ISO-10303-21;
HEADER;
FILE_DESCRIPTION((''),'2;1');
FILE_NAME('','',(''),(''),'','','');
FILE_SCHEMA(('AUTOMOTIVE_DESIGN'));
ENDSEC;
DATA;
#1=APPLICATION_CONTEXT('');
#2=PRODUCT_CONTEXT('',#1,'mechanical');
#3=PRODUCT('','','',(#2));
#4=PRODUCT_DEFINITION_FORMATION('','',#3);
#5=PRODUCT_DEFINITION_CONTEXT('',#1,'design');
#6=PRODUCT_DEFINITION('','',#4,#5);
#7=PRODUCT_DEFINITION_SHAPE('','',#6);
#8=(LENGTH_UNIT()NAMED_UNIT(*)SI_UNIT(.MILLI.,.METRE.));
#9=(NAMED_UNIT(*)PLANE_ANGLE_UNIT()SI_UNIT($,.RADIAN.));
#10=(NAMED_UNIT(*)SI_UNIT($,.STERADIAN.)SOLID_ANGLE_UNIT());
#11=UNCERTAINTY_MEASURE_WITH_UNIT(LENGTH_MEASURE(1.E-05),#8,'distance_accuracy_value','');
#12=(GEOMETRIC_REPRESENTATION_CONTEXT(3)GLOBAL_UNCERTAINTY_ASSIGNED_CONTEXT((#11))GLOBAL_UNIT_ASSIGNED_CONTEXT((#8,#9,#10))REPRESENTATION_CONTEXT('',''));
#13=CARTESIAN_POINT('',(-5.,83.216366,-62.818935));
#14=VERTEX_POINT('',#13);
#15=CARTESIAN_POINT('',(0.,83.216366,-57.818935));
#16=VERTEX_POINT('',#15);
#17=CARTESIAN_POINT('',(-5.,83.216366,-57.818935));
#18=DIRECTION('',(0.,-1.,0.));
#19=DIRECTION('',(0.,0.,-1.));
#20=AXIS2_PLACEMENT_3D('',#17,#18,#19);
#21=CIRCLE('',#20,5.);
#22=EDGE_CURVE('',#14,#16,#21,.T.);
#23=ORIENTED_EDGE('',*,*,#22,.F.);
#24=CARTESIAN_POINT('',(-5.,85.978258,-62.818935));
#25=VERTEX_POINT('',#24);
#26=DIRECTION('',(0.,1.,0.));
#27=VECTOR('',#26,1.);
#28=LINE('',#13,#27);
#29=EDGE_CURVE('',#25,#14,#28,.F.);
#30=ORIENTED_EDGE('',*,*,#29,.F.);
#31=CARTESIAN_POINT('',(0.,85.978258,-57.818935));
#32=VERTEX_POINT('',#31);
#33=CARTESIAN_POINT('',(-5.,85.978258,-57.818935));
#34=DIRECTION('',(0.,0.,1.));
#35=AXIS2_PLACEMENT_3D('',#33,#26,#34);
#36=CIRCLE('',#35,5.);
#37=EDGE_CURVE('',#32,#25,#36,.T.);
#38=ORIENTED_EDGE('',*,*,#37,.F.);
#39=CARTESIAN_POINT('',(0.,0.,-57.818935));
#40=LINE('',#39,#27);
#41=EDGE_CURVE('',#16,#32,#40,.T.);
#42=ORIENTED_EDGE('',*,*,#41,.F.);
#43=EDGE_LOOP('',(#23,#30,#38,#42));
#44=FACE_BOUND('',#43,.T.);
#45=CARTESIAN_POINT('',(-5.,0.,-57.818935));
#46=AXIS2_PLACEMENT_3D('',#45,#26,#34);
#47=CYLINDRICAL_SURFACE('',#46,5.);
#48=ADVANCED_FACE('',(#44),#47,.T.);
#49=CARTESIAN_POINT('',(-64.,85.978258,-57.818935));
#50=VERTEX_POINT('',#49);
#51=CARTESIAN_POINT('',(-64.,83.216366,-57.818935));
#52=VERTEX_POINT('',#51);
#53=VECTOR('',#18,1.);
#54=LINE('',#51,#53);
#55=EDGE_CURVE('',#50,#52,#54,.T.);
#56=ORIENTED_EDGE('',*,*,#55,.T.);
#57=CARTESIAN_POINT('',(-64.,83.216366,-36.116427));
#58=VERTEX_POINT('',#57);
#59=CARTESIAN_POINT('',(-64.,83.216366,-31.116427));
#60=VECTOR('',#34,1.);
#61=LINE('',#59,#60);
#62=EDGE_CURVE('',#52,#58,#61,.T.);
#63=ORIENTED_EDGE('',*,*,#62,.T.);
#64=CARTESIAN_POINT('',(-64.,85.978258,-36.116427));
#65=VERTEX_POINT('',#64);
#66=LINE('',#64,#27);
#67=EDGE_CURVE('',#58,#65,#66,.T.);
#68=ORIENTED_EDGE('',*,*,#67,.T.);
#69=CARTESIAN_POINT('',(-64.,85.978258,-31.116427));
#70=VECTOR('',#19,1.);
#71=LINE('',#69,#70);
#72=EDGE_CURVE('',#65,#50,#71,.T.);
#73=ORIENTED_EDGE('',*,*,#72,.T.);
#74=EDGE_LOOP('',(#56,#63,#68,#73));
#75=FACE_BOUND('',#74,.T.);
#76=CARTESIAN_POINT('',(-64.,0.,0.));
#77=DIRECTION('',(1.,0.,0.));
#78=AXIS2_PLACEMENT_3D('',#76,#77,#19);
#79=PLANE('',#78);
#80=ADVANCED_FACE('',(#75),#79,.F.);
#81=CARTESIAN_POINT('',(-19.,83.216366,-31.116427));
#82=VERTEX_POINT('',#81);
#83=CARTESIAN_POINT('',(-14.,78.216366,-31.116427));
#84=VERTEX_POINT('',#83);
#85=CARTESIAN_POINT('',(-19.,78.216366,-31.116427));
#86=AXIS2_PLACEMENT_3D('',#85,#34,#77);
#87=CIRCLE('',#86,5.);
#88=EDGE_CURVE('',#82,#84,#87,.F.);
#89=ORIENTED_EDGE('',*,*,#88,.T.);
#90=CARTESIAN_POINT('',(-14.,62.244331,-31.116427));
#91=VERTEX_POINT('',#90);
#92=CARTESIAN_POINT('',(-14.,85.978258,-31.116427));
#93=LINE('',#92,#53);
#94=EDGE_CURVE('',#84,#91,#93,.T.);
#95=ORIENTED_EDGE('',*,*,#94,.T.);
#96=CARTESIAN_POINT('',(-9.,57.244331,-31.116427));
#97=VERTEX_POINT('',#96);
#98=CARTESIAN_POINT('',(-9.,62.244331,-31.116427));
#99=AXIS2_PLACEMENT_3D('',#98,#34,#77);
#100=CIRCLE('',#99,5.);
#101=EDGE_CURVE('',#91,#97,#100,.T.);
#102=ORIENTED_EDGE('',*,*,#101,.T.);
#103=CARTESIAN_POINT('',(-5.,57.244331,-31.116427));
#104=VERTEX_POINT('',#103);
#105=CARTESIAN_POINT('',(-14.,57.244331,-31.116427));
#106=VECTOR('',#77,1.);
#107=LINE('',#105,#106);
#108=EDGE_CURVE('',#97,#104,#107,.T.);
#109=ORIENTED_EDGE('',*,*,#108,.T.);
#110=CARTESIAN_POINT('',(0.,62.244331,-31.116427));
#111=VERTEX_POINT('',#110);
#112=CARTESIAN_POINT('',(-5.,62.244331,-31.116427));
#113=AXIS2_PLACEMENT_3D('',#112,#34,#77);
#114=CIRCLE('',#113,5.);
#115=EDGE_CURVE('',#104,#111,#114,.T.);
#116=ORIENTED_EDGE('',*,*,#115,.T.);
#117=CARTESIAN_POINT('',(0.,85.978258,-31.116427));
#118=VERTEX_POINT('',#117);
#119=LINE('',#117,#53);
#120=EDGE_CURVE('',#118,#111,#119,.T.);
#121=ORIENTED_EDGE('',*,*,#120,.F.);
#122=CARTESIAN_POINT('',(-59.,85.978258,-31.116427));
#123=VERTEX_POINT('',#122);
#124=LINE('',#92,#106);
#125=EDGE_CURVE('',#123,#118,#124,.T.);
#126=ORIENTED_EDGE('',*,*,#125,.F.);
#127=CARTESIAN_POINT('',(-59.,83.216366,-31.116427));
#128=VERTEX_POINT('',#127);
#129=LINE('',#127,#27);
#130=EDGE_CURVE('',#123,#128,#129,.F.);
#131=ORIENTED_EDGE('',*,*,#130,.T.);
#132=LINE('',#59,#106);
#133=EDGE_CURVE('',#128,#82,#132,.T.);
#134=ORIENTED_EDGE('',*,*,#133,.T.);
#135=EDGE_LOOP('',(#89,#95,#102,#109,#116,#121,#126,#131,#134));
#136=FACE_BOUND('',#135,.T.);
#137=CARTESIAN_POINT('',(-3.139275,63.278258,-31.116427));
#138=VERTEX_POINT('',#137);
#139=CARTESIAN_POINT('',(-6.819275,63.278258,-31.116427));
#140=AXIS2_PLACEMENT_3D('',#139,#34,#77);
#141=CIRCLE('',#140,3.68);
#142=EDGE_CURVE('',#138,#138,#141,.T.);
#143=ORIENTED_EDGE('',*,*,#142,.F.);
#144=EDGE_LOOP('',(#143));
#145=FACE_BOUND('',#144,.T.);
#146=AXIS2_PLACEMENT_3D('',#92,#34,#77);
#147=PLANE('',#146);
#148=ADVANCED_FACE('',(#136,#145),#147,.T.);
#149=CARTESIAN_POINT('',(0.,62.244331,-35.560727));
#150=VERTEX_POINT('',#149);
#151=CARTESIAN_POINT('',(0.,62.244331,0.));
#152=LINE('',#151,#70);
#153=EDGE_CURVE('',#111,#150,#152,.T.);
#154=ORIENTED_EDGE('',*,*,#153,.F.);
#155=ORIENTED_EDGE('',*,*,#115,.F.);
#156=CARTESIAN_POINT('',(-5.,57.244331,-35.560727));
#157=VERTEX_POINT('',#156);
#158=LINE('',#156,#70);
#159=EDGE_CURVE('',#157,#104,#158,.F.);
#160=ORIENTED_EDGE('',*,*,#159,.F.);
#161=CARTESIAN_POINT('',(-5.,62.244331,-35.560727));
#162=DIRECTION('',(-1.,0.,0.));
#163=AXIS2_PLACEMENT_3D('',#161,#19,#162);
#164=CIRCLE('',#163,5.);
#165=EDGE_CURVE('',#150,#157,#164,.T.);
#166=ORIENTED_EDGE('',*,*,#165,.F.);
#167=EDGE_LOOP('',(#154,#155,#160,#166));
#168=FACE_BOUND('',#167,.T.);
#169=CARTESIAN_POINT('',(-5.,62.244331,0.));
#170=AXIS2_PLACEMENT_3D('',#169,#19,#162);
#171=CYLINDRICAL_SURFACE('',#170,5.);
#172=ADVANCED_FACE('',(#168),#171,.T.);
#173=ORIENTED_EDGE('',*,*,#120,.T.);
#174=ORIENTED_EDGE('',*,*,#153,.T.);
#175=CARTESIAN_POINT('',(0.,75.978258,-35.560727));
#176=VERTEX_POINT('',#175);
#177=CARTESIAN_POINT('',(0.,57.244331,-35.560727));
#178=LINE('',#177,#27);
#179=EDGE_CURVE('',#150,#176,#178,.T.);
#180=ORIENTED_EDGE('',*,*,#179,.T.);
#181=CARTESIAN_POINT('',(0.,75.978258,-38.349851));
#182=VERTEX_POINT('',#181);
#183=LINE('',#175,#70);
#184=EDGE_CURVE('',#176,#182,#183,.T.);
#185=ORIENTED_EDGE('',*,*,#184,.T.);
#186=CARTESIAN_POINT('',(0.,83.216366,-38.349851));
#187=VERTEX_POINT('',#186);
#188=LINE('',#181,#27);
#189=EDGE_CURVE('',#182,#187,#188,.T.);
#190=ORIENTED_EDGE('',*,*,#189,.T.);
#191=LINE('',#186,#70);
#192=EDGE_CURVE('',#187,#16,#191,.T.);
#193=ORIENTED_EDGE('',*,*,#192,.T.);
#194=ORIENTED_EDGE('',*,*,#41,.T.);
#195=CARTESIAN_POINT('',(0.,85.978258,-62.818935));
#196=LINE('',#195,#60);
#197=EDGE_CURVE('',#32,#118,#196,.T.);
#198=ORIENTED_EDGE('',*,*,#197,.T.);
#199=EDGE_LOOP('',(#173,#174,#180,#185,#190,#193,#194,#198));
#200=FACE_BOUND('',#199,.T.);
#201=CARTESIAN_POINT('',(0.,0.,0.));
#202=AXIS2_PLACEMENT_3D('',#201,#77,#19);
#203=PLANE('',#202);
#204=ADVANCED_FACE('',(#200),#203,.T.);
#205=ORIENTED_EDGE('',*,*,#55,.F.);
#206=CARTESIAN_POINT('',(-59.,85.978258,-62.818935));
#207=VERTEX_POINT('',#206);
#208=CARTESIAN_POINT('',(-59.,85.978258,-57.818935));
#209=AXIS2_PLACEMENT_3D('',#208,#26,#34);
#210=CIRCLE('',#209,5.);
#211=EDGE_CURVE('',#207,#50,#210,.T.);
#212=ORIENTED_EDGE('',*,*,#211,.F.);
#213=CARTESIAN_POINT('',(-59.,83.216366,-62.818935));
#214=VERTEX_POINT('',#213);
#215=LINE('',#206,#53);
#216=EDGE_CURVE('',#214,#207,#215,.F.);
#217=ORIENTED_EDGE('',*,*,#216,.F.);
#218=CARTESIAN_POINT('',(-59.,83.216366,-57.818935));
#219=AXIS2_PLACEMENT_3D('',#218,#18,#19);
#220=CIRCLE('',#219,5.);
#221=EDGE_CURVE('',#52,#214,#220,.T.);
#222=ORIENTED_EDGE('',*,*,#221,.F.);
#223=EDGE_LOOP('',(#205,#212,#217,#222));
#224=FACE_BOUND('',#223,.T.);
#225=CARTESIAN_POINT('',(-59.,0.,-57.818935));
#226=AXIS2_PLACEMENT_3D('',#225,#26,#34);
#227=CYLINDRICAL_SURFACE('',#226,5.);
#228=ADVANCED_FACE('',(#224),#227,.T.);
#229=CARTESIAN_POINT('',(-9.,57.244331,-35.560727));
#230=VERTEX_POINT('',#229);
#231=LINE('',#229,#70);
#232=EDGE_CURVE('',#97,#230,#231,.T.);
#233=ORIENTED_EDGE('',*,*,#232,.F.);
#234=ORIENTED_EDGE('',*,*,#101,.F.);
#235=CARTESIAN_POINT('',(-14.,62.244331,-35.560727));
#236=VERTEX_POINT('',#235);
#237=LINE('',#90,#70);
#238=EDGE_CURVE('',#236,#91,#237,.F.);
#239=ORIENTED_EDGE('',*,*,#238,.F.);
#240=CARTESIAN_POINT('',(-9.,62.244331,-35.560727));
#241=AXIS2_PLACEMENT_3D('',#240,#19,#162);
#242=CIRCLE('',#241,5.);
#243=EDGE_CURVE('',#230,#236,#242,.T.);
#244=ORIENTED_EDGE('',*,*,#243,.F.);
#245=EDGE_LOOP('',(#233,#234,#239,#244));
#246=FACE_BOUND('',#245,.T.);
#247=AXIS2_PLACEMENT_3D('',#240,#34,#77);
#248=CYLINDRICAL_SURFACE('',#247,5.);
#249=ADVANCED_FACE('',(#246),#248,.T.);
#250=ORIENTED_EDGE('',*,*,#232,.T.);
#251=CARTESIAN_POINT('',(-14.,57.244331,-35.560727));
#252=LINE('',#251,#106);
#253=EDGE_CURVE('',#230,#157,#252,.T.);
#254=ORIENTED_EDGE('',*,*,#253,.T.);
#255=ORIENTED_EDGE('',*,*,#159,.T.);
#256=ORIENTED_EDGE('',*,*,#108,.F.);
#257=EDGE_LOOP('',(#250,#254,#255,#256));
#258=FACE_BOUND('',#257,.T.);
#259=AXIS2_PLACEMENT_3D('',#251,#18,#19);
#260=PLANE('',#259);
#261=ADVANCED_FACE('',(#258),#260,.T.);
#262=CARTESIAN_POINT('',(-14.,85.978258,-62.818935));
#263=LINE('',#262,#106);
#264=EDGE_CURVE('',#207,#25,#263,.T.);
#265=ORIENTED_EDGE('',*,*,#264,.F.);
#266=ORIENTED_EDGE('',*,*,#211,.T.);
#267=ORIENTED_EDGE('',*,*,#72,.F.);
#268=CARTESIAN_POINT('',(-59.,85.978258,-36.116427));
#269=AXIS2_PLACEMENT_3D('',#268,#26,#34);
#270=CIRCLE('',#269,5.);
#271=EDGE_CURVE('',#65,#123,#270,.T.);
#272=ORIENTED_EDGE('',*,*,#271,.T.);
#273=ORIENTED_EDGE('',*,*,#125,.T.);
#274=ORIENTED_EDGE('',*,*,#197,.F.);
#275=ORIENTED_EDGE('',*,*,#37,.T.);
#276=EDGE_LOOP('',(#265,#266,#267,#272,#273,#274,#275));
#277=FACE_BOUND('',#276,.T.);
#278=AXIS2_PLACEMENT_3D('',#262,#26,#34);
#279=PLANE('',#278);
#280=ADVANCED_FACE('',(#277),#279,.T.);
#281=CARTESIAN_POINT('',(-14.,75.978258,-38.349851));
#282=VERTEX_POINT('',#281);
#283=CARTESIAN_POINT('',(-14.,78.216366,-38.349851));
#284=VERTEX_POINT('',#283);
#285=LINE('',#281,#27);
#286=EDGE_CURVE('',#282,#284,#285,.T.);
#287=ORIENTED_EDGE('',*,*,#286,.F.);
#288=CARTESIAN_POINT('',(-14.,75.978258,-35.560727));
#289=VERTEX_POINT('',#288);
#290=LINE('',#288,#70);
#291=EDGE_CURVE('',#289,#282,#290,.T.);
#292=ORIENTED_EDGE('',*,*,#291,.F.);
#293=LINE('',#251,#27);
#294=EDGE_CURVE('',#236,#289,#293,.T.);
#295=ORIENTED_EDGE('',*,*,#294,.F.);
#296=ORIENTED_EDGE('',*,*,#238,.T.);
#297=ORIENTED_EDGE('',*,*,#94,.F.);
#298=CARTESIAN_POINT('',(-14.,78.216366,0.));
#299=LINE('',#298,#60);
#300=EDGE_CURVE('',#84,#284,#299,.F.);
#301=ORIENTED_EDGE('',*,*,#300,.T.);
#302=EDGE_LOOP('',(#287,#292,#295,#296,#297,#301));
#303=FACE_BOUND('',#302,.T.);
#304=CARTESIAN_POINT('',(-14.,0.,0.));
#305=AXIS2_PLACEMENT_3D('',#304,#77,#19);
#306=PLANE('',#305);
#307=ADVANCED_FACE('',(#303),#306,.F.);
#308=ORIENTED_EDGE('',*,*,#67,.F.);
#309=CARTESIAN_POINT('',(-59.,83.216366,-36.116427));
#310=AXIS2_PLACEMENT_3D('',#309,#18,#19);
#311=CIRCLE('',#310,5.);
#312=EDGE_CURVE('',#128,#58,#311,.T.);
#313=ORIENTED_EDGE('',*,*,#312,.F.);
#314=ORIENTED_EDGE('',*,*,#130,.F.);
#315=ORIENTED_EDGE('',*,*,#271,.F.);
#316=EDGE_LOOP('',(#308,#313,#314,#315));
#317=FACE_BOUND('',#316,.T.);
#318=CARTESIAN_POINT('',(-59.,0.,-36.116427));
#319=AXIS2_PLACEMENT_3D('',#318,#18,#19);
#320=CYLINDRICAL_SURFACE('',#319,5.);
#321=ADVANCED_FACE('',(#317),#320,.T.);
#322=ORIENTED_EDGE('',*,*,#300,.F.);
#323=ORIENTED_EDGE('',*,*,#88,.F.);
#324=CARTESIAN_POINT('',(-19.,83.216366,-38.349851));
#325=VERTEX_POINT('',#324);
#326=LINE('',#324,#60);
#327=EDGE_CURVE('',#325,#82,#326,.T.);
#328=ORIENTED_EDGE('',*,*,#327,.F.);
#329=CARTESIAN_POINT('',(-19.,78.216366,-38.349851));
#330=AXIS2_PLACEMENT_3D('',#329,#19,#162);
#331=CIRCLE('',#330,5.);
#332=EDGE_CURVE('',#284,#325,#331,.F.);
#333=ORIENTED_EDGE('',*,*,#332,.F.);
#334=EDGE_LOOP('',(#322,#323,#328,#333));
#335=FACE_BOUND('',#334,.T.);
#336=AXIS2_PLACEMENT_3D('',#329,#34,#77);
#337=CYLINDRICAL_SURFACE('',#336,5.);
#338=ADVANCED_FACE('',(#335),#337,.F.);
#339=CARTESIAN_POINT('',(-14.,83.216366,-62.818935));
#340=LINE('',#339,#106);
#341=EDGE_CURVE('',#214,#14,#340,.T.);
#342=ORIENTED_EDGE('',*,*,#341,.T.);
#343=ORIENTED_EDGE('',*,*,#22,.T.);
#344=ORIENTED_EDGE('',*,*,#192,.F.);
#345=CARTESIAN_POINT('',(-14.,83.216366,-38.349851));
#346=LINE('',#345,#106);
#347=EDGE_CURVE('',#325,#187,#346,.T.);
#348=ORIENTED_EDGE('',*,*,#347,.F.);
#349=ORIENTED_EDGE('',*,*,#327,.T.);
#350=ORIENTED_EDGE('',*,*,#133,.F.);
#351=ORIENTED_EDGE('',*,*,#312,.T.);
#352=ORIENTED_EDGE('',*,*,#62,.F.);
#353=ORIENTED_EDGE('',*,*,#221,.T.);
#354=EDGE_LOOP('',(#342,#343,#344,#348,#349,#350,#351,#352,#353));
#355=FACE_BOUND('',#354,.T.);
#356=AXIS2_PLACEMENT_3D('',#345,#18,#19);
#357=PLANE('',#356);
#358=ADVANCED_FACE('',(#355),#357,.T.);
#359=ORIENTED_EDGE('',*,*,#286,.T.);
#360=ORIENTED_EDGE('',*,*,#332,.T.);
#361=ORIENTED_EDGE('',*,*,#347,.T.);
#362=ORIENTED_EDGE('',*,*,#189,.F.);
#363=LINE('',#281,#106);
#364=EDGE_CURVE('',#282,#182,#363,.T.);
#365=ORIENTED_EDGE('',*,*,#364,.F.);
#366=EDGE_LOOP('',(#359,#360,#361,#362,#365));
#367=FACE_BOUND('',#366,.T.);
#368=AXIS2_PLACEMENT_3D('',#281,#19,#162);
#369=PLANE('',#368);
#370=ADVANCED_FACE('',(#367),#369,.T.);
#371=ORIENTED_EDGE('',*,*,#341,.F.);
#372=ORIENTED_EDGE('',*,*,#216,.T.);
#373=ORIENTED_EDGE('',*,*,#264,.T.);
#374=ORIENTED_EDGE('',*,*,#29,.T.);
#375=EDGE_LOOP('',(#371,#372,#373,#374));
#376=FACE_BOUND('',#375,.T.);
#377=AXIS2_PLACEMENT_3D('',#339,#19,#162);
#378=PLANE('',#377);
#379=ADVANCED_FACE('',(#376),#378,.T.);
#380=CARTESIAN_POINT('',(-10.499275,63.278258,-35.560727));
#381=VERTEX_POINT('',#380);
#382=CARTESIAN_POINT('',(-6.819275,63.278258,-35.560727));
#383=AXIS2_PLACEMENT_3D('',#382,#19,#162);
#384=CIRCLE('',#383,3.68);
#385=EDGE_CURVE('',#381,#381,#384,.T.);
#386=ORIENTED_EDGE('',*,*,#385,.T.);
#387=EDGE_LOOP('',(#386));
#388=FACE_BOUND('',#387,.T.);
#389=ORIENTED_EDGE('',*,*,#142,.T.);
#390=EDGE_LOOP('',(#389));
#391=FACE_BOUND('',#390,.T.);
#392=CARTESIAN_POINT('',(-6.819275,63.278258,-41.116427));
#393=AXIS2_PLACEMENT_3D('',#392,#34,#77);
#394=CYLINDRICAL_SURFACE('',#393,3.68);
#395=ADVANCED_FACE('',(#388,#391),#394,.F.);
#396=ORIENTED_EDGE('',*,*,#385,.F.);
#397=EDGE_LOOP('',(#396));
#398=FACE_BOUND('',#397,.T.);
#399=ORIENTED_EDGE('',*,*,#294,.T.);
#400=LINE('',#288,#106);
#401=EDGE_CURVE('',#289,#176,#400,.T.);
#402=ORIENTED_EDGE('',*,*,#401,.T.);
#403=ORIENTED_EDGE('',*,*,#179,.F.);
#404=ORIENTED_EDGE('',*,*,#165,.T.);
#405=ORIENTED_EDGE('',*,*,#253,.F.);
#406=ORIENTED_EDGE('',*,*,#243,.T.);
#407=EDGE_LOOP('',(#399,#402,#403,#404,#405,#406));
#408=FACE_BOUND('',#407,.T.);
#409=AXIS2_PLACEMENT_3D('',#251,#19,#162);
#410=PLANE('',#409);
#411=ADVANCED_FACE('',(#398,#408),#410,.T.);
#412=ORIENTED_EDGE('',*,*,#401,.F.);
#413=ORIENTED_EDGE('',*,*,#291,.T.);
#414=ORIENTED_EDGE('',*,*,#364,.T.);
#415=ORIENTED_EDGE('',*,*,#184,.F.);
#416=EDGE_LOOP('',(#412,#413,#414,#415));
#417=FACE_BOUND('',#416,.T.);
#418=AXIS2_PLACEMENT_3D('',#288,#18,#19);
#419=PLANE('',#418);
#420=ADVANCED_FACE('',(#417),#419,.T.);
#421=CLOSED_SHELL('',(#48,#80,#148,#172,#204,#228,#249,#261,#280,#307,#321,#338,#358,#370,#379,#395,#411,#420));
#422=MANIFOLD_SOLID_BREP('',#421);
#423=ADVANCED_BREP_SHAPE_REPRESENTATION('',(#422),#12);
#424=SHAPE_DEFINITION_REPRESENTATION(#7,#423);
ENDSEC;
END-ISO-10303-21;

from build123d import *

# Parameters (mm, degrees)
BOSS_EXTRUDE6_DEPTH = 14
SKETCH8_R           = 3.68
CUT_EXTRUDE1_DEPTH  = 10
SKETCH10_W          = 31.702507637
SKETCH10_H          = 2.761891862
BOSS_EXTRUDE8_DEPTH = 50
FILLET2_R           = 5


with BuildPart() as part:
    # Sketch7 → Boss-Extrude6 (new body)
    with BuildSketch(Plane(origin=(0, 0, 44.491647423), x_dir=(0, 1, 0), z_dir=(1, 0, 0))):
        Polygon((57.244330768, -80.05237461), (75.978257712, -80.05237461), (75.978257712, -82.841498661), (83.21636585, -82.841498661), (83.21636585, -107.310582048), (85.978257712, -107.310582048), (85.978257712, -75.608074412), (57.244330768, -75.608074412), align=None)
    extrude(amount=-BOSS_EXTRUDE6_DEPTH)

    # Sketch8 → Cut-Extrude1 (cut)
    with BuildSketch(Plane.XY.offset(-31.116426988)):
        with Locations((-6.819274641, 63.278257712)):
            Circle(SKETCH8_R)
    extrude(amount=-CUT_EXTRUDE1_DEPTH, mode=Mode.SUBTRACT)

    # Sketch10 → Boss-Extrude8 (add)
    with BuildSketch(Plane.ZY.offset(14)):
        with Locations((-46.967680806, 84.597311781)):
            Rectangle(SKETCH10_W, SKETCH10_H)
    extrude(amount=BOSS_EXTRUDE8_DEPTH)

    # Fillet2
    fillet2_edges = [part.edges().sort_by_distance(p)[0] for p in [
        (-64, 84.597311781, -62.818934625),
        (0, 84.597311781, -62.818934625),
        (0, 57.244330768, -33.338577087),
        (-14, 57.244330768, -33.338577087),
        (-64, 84.597311781, -31.116426988),
        (-14, 83.21636585, -34.733139113),
    ]]
    fillet(fillet2_edges, radius=FILLET2_R)


solid = part.part
